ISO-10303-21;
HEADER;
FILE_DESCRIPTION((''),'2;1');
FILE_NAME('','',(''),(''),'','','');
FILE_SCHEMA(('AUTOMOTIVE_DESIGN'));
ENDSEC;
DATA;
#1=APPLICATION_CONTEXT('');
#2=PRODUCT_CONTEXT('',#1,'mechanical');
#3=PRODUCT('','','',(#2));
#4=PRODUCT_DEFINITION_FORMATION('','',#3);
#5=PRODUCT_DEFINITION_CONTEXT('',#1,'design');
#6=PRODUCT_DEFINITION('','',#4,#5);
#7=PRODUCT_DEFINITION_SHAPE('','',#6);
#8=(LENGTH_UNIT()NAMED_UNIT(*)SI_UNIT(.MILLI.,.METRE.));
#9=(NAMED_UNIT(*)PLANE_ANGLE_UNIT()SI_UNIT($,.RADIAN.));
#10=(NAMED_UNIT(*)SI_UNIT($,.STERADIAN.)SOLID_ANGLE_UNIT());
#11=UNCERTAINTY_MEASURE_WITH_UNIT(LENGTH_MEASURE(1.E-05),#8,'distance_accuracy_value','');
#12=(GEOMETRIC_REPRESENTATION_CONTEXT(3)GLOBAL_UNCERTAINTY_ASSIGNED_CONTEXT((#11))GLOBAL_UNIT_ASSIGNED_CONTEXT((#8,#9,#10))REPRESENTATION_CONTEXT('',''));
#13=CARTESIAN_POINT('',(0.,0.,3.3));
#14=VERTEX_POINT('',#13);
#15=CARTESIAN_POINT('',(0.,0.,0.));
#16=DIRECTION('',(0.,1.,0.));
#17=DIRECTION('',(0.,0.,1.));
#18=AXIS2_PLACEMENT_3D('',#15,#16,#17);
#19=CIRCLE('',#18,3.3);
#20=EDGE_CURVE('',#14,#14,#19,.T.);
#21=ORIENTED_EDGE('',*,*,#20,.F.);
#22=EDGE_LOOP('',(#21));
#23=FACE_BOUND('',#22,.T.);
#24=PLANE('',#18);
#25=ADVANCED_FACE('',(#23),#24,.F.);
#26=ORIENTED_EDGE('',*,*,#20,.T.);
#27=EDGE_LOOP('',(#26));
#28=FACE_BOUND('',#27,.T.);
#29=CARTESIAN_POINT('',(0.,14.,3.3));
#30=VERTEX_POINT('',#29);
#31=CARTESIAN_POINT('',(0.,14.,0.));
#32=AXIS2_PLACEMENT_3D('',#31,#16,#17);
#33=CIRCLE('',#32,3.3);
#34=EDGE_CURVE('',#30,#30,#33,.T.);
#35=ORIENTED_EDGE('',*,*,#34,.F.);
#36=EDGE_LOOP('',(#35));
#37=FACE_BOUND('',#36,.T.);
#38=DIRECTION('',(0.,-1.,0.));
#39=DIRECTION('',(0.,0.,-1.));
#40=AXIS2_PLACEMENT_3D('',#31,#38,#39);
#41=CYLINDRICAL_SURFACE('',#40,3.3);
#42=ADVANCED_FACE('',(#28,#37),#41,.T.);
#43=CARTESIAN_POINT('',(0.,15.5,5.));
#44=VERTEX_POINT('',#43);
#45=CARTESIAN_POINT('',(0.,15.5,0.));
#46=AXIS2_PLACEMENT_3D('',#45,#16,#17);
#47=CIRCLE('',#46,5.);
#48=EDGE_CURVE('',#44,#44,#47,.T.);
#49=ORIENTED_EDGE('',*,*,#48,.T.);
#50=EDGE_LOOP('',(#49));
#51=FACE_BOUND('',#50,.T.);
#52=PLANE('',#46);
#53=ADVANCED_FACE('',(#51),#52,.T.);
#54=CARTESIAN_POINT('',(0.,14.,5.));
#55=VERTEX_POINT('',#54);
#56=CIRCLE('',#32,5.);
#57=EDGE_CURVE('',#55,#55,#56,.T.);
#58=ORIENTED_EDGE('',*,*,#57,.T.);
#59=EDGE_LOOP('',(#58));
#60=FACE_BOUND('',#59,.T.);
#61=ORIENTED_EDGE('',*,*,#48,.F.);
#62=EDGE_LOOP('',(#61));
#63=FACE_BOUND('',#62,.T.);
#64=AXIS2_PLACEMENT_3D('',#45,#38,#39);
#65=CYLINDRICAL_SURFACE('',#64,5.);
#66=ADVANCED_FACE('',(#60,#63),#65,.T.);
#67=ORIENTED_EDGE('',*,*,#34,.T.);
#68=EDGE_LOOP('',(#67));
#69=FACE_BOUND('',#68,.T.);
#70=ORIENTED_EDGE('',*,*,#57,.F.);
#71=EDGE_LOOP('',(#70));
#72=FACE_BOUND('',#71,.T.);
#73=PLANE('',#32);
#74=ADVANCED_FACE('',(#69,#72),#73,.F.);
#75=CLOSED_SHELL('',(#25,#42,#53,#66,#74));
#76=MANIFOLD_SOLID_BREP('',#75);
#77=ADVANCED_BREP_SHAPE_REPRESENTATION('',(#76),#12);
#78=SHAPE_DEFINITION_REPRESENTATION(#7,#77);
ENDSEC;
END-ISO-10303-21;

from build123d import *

# Parameters (mm, degrees)
SKETCH1_R           = 3.3
BOSS_EXTRUDE1_DEPTH = 14
SKETCH2_R           = 5
BOSS_EXTRUDE2_DEPTH = 1.5


with BuildPart() as part:
    # Sketch1 → Boss-Extrude1 (new body)
    with BuildSketch(Plane(origin=(0, 0, 0), x_dir=(1, 0, 0), z_dir=(0, 1, 0))):
        Circle(SKETCH1_R)
    extrude(amount=BOSS_EXTRUDE1_DEPTH)

    # Sketch2 → Boss-Extrude2 (add)
    with BuildSketch(Plane(origin=(0, 14, 0), x_dir=(1, 0, 0), z_dir=(0, 1, 0))):
        Circle(SKETCH2_R)
    extrude(amount=BOSS_EXTRUDE2_DEPTH)


solid = part.part
